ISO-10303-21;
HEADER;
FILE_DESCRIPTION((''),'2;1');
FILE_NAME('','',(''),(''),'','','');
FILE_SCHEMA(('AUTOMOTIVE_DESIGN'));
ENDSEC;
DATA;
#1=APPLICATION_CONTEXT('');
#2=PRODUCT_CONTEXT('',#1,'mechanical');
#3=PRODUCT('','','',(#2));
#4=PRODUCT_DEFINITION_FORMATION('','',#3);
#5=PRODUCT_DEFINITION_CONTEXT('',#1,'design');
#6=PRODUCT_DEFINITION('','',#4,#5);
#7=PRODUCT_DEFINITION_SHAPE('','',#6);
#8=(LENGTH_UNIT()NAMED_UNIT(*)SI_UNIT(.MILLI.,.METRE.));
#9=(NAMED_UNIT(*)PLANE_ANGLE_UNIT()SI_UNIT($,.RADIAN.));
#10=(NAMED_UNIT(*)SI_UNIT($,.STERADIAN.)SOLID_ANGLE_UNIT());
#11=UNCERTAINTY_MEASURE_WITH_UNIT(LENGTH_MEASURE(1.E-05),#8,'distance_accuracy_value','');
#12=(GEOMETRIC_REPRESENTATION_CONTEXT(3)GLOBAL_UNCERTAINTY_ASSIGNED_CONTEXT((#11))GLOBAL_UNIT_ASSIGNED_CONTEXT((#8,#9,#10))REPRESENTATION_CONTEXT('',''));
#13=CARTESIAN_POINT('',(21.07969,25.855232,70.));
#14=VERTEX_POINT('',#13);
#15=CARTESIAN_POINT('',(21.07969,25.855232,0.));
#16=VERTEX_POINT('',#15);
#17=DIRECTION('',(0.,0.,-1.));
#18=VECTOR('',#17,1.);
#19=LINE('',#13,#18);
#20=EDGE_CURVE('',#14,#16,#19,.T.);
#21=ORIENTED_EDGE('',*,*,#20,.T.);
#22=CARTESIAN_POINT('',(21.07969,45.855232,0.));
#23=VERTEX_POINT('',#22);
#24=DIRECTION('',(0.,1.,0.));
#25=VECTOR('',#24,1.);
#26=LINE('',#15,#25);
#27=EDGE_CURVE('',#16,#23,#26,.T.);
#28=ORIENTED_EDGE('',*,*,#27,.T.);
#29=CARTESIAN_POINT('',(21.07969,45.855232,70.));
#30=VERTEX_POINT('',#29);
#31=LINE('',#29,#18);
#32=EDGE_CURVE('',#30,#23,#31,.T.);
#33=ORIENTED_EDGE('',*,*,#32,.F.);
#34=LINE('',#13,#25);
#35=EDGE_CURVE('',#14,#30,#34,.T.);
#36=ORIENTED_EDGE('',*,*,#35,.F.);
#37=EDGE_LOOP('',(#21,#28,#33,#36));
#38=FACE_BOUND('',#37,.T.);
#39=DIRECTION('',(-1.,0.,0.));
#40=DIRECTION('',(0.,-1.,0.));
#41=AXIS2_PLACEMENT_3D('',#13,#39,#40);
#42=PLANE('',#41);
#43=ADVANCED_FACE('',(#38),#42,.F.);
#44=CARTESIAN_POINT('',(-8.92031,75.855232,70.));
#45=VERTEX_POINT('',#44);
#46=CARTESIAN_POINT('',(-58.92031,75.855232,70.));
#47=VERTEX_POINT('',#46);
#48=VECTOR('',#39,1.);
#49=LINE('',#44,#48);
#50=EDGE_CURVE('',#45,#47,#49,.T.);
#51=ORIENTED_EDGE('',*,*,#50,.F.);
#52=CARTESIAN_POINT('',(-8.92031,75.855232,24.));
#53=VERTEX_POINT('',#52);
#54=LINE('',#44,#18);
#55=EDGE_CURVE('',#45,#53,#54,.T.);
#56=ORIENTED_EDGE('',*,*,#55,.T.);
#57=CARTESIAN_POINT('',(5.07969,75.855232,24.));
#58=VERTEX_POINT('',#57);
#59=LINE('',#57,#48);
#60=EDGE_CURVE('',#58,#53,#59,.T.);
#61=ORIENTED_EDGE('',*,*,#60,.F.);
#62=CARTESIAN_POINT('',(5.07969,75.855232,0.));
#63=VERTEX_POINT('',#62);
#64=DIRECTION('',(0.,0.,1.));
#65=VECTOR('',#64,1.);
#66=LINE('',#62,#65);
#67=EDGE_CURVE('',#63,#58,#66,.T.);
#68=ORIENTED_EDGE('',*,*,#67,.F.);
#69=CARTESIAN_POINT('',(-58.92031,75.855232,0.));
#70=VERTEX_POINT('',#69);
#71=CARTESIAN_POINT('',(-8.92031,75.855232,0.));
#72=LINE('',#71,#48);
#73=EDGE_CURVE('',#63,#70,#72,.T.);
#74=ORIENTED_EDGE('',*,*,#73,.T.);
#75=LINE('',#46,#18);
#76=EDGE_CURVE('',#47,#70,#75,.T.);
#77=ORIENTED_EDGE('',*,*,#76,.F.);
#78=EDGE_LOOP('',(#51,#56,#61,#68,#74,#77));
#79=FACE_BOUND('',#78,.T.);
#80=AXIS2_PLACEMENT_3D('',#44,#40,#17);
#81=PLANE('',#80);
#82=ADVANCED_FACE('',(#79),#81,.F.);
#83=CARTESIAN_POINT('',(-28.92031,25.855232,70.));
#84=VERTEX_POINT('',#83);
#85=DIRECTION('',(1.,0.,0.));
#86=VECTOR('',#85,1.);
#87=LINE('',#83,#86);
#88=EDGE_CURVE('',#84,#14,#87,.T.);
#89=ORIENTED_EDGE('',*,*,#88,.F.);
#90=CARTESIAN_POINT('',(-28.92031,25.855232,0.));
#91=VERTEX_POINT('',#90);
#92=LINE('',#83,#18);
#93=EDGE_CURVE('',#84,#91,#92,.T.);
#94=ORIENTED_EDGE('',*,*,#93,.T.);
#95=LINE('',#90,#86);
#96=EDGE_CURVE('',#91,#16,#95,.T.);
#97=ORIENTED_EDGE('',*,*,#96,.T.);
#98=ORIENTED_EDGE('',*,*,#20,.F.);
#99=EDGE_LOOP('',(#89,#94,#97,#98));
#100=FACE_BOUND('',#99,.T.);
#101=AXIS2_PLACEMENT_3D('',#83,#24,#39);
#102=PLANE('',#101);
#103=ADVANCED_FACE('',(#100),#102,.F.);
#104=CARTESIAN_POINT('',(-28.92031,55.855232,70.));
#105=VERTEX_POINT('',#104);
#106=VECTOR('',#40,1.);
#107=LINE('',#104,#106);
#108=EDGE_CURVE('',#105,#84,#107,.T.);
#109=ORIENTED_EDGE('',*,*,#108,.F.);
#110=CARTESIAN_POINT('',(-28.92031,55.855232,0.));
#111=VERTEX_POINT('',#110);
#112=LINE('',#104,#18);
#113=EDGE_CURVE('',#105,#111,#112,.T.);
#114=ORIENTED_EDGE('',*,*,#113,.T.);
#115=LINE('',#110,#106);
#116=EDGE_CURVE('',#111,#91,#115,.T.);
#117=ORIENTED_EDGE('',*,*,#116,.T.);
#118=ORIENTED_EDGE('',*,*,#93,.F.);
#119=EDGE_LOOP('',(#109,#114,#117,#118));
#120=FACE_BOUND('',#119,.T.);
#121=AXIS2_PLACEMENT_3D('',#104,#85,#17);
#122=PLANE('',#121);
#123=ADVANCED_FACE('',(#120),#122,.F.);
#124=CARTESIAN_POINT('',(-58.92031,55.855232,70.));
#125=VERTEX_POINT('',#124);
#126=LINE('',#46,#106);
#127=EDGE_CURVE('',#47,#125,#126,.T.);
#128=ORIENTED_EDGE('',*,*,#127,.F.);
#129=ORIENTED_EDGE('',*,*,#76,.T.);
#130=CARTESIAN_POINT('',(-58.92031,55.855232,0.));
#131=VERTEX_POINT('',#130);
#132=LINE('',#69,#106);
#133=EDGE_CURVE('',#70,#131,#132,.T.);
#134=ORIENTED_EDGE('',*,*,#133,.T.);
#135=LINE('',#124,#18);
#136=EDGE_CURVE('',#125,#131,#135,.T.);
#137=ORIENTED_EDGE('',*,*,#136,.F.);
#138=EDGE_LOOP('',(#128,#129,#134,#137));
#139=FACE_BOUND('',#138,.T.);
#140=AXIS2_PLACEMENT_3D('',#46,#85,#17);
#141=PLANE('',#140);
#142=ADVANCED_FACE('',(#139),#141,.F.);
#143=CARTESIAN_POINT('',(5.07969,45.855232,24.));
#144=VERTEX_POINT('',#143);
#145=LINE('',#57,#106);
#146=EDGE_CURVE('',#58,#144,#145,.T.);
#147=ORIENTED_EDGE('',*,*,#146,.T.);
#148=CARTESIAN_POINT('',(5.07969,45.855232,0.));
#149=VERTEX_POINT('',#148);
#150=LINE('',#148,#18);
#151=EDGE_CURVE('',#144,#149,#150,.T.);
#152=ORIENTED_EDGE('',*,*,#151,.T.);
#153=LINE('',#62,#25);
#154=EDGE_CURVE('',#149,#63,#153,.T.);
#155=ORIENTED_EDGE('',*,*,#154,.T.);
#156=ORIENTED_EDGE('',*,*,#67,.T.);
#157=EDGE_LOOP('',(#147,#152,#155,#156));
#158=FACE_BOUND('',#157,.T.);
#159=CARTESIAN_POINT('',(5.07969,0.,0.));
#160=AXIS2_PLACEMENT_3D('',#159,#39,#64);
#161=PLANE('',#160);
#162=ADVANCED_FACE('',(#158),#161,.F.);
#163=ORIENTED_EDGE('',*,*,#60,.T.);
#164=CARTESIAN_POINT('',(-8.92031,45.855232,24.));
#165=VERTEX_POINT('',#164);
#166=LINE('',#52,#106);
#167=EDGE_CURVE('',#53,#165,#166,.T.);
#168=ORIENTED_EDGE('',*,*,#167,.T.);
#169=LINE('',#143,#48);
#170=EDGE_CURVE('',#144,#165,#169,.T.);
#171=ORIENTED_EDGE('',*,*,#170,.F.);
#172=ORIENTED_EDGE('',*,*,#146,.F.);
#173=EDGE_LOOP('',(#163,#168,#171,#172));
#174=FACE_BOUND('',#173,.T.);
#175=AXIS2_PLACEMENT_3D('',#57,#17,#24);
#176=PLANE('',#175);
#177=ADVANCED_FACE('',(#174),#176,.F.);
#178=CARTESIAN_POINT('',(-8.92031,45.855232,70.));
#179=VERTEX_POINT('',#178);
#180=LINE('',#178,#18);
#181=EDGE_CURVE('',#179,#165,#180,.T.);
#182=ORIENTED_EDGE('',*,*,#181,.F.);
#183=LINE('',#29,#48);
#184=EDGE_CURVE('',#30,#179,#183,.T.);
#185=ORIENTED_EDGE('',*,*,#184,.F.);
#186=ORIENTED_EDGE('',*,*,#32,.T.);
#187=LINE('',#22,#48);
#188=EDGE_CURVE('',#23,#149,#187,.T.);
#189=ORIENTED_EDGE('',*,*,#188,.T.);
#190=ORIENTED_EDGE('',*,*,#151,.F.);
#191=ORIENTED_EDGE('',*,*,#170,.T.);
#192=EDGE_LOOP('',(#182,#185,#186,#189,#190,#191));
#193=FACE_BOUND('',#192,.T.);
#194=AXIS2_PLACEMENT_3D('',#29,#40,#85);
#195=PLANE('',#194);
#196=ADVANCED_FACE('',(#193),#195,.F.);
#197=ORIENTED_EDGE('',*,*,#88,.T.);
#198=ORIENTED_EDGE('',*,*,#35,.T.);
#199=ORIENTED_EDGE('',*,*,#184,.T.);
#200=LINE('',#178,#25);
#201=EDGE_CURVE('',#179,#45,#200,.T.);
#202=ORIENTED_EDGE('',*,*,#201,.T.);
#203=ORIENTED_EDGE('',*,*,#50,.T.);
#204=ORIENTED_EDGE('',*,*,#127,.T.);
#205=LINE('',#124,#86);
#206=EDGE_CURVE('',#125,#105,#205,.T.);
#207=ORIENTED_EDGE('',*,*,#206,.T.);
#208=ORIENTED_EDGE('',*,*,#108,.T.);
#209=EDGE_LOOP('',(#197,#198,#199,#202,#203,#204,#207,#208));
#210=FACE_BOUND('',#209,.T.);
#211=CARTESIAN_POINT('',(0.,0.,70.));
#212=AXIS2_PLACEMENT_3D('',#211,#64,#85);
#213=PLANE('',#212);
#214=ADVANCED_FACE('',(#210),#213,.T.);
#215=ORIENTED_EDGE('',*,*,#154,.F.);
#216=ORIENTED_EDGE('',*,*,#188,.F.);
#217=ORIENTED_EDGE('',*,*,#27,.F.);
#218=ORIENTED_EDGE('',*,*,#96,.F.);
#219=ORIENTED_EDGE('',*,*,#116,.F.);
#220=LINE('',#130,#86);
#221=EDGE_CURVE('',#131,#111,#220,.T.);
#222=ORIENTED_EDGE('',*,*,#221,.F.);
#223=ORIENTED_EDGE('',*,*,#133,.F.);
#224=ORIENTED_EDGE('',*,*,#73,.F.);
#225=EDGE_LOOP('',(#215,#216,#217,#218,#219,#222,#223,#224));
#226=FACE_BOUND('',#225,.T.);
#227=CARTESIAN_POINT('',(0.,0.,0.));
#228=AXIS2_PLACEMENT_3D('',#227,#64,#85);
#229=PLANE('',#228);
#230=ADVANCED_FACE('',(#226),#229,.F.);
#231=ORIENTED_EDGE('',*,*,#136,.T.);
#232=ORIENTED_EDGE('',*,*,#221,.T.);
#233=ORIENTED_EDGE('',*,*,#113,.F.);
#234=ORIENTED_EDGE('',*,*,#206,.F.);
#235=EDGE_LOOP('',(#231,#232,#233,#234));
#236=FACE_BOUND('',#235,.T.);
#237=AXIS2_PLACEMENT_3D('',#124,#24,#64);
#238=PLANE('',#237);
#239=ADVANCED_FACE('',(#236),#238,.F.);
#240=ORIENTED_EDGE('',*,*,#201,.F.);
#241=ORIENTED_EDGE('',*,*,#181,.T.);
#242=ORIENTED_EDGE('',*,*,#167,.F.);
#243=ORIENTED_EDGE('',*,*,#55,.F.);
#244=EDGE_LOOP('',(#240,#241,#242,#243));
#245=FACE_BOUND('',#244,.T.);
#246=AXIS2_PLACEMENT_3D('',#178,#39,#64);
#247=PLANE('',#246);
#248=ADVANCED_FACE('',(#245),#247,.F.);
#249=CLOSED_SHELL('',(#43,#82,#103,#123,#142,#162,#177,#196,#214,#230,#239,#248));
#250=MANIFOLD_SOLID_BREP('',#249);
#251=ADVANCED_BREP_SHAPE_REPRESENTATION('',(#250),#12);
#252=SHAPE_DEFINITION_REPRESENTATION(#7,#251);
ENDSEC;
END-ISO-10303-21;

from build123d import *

# Parameters (mm, degrees)
BOSS_EXTRUDE1_DEPTH = 70
SKETCH2_W           = 24
SKETCH2_H           = 30
BOSS_EXTRUDE2_DEPTH = 14


with BuildPart() as part:
    # Sketch1 → Boss-Extrude1 (new body)
    with BuildSketch(Plane.XY):
        Polygon((-8.920310293, 75.855232132), (-58.920310293, 75.855232132), (-58.920310293, 55.855232132), (-28.920310293, 55.855232132), (-28.920310293, 25.855232132), (21.079689707, 25.855232132), (21.079689707, 45.855232132), (-8.920310293, 45.855232132), align=None)
    extrude(amount=BOSS_EXTRUDE1_DEPTH)

    # Sketch2 → Boss-Extrude2 (add)
    with BuildSketch(Plane(origin=(-8.920310293, 0, 0), x_dir=(0, 0, -1), z_dir=(1, 0, 0))):
        with Locations((-12, 60.855232132)):
            Rectangle(SKETCH2_W, SKETCH2_H)
    extrude(amount=BOSS_EXTRUDE2_DEPTH)


solid = part.part
